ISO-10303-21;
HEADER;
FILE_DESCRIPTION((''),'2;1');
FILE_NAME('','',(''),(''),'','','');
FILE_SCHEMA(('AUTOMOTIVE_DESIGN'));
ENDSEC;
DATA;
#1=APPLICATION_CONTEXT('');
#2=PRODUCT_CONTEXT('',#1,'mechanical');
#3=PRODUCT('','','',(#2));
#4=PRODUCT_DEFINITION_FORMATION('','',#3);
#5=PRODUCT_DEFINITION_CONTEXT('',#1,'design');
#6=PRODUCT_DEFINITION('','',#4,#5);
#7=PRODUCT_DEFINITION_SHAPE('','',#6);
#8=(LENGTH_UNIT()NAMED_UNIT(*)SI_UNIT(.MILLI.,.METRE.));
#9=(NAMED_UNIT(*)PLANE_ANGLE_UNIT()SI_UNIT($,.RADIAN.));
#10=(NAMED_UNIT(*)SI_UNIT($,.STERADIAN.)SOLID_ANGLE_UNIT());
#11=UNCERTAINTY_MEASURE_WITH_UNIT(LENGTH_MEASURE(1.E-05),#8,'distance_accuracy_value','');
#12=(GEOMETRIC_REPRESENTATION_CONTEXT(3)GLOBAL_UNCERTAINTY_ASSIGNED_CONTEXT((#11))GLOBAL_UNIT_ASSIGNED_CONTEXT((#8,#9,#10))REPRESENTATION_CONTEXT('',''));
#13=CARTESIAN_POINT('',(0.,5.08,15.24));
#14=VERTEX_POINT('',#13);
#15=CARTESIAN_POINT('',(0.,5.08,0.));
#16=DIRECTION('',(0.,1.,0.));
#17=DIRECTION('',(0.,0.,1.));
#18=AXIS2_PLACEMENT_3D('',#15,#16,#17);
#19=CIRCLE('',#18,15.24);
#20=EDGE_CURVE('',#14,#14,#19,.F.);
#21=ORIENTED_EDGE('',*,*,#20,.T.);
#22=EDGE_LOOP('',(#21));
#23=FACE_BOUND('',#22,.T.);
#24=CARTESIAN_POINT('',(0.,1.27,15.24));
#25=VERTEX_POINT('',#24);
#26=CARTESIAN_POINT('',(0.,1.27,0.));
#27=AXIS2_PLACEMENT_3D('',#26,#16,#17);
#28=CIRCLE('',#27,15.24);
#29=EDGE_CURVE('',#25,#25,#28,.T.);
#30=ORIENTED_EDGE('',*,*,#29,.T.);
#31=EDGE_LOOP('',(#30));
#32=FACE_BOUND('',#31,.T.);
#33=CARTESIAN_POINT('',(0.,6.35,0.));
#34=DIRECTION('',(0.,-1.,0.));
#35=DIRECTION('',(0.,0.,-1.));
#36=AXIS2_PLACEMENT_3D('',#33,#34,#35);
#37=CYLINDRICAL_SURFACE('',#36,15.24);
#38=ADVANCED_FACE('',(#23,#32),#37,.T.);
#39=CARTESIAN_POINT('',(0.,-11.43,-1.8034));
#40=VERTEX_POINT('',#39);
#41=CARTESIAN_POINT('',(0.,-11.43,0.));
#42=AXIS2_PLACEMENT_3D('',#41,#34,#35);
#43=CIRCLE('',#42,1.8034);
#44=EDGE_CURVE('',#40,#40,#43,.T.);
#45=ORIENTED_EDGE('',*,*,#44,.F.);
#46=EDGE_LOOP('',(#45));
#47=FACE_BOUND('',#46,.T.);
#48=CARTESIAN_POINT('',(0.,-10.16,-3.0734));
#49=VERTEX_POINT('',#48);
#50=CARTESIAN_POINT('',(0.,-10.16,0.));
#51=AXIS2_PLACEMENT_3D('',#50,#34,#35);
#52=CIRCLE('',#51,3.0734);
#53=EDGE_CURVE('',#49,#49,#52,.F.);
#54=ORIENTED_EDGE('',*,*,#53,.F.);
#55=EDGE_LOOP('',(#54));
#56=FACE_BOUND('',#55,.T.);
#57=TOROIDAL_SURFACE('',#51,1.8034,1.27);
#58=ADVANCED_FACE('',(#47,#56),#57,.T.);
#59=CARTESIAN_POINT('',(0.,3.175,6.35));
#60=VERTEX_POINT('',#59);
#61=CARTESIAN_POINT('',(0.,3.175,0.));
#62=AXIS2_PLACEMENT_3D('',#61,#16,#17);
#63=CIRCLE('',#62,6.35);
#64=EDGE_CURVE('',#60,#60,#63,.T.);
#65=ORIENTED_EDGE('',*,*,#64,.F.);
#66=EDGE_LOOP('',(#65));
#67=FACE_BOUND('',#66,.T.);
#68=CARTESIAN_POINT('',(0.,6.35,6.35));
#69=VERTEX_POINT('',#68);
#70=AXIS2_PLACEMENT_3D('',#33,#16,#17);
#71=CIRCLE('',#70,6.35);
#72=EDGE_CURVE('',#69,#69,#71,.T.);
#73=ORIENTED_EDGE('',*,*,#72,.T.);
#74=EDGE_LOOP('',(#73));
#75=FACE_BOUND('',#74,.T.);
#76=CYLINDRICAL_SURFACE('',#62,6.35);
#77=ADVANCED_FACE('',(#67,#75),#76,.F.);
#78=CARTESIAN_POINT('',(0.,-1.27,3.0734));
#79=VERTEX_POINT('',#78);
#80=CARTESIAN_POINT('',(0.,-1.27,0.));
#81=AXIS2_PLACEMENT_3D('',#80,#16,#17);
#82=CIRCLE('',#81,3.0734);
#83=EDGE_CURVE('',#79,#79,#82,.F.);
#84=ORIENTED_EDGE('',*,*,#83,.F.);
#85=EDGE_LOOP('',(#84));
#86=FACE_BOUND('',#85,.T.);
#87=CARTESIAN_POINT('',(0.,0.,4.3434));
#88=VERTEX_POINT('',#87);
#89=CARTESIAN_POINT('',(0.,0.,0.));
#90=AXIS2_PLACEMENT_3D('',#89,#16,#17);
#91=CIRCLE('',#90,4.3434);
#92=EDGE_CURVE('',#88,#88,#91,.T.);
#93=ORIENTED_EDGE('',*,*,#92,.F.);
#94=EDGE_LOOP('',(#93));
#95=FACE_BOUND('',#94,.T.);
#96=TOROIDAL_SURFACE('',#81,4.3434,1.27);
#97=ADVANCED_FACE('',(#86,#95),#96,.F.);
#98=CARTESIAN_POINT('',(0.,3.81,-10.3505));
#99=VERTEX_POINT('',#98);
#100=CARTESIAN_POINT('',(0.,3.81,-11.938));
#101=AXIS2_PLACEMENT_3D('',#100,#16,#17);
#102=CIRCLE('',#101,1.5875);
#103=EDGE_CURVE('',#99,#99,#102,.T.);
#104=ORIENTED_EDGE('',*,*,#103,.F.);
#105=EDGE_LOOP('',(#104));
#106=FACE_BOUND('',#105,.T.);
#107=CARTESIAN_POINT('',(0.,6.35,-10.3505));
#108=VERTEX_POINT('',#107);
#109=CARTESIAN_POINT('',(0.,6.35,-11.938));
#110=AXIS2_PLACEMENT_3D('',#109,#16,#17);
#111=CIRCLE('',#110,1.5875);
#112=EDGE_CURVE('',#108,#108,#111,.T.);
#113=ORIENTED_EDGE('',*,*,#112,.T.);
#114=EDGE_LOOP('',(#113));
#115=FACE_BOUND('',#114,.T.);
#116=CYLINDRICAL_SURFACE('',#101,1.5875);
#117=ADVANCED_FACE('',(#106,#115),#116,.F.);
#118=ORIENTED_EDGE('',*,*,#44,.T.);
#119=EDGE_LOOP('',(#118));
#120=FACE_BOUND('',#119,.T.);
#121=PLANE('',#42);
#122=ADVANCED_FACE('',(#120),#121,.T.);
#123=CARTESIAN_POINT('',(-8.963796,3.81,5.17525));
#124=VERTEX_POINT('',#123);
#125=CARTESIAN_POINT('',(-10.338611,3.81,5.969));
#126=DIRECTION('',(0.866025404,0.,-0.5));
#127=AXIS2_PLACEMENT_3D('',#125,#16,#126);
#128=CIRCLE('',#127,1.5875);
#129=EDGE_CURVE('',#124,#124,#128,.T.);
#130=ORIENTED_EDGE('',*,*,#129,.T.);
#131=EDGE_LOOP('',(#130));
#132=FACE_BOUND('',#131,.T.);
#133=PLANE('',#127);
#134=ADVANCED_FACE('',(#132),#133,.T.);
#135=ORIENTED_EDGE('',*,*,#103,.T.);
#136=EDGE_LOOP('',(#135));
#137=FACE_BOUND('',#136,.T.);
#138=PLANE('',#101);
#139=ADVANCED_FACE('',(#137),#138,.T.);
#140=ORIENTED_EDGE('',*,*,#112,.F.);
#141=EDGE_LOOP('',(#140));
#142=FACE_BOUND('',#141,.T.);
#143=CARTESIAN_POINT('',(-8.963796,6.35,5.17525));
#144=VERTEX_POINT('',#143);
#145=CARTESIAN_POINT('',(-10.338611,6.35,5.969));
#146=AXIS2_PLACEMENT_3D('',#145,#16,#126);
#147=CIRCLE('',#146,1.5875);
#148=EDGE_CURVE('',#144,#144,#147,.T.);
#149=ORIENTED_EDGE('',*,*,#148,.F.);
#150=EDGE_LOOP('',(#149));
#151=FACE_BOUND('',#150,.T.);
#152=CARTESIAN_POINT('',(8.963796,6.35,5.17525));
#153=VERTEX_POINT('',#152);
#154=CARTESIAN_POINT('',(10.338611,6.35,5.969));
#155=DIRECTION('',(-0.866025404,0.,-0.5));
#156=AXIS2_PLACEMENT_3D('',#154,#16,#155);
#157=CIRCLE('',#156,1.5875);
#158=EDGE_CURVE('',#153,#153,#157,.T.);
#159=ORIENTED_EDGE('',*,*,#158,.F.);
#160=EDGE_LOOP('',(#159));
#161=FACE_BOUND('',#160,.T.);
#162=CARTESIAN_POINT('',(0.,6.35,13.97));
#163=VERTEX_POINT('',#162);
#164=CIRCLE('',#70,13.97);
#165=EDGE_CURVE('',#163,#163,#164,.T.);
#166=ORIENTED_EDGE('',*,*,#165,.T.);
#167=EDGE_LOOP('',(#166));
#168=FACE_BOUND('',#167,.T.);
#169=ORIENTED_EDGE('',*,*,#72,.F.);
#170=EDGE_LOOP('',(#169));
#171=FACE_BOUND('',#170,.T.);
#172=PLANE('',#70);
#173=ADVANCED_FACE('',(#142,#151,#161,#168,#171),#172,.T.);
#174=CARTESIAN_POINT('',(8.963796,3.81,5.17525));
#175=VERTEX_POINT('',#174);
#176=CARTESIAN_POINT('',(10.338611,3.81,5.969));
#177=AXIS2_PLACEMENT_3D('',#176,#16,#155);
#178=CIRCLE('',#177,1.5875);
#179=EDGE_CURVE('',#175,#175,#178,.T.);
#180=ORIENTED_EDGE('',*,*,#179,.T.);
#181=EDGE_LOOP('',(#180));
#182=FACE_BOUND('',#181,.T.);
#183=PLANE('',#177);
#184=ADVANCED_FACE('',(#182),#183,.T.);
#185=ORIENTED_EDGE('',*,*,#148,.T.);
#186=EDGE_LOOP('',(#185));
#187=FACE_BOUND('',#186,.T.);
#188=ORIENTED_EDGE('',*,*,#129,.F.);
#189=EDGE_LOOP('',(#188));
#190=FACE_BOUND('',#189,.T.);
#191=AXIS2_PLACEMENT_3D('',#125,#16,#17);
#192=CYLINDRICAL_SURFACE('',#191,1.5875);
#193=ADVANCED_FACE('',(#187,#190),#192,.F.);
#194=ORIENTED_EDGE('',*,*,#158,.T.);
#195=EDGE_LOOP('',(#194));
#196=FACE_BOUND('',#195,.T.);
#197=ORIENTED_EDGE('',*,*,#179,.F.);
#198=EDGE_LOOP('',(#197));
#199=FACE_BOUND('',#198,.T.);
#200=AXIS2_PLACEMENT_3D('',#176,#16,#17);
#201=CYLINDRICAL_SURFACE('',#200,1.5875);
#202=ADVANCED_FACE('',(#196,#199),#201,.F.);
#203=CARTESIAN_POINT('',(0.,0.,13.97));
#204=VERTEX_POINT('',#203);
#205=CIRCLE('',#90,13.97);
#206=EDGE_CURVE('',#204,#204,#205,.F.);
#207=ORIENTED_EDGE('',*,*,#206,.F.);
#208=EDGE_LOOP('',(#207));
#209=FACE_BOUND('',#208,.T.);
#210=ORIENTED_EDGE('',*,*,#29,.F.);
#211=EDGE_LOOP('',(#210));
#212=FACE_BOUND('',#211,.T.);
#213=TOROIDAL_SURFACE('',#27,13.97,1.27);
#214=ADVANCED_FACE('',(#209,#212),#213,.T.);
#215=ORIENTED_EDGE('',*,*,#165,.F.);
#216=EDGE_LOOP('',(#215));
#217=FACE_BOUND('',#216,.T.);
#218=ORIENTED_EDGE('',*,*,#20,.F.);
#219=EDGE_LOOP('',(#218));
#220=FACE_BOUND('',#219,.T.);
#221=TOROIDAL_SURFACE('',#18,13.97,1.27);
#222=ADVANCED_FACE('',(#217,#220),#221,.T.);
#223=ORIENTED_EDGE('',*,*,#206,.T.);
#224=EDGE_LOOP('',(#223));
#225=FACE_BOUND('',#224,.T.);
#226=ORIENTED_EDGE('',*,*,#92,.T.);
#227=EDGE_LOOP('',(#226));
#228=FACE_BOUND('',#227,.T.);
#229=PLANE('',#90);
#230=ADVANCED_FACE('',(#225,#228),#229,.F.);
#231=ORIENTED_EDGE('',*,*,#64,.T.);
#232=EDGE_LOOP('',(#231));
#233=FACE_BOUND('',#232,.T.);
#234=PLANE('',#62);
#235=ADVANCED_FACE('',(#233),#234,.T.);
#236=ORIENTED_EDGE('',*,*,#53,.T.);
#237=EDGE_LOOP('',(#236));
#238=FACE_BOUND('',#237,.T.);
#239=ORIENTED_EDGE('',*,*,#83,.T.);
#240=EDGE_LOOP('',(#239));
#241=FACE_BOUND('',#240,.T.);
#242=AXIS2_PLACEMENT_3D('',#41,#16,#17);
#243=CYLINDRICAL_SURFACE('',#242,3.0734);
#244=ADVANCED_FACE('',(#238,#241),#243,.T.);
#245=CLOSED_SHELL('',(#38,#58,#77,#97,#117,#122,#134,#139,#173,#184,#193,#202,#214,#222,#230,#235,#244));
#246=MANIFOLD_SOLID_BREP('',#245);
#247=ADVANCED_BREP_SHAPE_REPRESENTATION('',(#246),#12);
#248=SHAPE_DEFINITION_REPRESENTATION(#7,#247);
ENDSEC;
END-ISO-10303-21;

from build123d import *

# Parameters (mm, degrees)
SKETCH1_R           = 15.24
BOSS_EXTRUDE1_DEPTH = 6.35
SKETCH2_R           = 6.35
CUT_EXTRUDE1_DEPTH  = 3.175
FILLET4_R           = 1.27
SKETCH3_R           = 3.0734
BOSS_EXTRUDE3_DEPTH = 11.43
FILLET5_R           = 1.27
SKETCH4_R           = 1.5875
CUT_EXTRUDE2_DEPTH  = 2.54
CIRPATTERN1_COUNT   = 3


with BuildPart() as part:
    # Sketch1 → Boss-Extrude1 (new body)
    with BuildSketch(Plane(origin=(0, 0, 0), x_dir=(1, 0, 0), z_dir=(0, 1, 0))):
        Circle(SKETCH1_R)
    extrude(amount=BOSS_EXTRUDE1_DEPTH)

    # Sketch2 → Cut-Extrude1 (cut)
    with BuildSketch(Plane(origin=(0, 6.35, 0), x_dir=(1, 0, 0), z_dir=(0, 1, 0))):
        Circle(SKETCH2_R)
    extrude(amount=-CUT_EXTRUDE1_DEPTH, mode=Mode.SUBTRACT)

    # Fillet4
    fillet4_edges = [part.edges().sort_by_distance(p)[0] for p in [
        (-15.24, 6.35, 0),
    ]]
    fillet(fillet4_edges, radius=FILLET4_R)

    # Sketch3 → Boss-Extrude3 (add)
    with BuildSketch(Plane.XZ):
        Circle(SKETCH3_R)
    extrude(amount=BOSS_EXTRUDE3_DEPTH)

    # Fillet5
    fillet5_edges = [part.edges().sort_by_distance(p)[0] for p in [
        (-3.0734, -11.43, 0),
        (-15.24, 0, 0),
        (-3.0734, 0, 0),
    ]]
    fillet(fillet5_edges, radius=FILLET5_R)

    # Sketch4 → Cut-Extrude2 (cut)
    with BuildSketch(Plane(origin=(0, 6.35, 0), x_dir=(1, 0, 0), z_dir=(0, 1, 0))):
        with Locations((0, 11.938)):
            Circle(SKETCH4_R)
    cut_extrude2 = extrude(amount=-CUT_EXTRUDE2_DEPTH, mode=Mode.SUBTRACT)

    # CirPattern1: Cut-Extrude2 ×3 about axis
    cirpattern1_axis = Axis((0, 3.175, 0), (0, 1, 0))
    for i in range(1, CIRPATTERN1_COUNT):
        add(cut_extrude2.rotate(cirpattern1_axis, i * 360 / CIRPATTERN1_COUNT), mode=Mode.SUBTRACT)


solid = part.part
